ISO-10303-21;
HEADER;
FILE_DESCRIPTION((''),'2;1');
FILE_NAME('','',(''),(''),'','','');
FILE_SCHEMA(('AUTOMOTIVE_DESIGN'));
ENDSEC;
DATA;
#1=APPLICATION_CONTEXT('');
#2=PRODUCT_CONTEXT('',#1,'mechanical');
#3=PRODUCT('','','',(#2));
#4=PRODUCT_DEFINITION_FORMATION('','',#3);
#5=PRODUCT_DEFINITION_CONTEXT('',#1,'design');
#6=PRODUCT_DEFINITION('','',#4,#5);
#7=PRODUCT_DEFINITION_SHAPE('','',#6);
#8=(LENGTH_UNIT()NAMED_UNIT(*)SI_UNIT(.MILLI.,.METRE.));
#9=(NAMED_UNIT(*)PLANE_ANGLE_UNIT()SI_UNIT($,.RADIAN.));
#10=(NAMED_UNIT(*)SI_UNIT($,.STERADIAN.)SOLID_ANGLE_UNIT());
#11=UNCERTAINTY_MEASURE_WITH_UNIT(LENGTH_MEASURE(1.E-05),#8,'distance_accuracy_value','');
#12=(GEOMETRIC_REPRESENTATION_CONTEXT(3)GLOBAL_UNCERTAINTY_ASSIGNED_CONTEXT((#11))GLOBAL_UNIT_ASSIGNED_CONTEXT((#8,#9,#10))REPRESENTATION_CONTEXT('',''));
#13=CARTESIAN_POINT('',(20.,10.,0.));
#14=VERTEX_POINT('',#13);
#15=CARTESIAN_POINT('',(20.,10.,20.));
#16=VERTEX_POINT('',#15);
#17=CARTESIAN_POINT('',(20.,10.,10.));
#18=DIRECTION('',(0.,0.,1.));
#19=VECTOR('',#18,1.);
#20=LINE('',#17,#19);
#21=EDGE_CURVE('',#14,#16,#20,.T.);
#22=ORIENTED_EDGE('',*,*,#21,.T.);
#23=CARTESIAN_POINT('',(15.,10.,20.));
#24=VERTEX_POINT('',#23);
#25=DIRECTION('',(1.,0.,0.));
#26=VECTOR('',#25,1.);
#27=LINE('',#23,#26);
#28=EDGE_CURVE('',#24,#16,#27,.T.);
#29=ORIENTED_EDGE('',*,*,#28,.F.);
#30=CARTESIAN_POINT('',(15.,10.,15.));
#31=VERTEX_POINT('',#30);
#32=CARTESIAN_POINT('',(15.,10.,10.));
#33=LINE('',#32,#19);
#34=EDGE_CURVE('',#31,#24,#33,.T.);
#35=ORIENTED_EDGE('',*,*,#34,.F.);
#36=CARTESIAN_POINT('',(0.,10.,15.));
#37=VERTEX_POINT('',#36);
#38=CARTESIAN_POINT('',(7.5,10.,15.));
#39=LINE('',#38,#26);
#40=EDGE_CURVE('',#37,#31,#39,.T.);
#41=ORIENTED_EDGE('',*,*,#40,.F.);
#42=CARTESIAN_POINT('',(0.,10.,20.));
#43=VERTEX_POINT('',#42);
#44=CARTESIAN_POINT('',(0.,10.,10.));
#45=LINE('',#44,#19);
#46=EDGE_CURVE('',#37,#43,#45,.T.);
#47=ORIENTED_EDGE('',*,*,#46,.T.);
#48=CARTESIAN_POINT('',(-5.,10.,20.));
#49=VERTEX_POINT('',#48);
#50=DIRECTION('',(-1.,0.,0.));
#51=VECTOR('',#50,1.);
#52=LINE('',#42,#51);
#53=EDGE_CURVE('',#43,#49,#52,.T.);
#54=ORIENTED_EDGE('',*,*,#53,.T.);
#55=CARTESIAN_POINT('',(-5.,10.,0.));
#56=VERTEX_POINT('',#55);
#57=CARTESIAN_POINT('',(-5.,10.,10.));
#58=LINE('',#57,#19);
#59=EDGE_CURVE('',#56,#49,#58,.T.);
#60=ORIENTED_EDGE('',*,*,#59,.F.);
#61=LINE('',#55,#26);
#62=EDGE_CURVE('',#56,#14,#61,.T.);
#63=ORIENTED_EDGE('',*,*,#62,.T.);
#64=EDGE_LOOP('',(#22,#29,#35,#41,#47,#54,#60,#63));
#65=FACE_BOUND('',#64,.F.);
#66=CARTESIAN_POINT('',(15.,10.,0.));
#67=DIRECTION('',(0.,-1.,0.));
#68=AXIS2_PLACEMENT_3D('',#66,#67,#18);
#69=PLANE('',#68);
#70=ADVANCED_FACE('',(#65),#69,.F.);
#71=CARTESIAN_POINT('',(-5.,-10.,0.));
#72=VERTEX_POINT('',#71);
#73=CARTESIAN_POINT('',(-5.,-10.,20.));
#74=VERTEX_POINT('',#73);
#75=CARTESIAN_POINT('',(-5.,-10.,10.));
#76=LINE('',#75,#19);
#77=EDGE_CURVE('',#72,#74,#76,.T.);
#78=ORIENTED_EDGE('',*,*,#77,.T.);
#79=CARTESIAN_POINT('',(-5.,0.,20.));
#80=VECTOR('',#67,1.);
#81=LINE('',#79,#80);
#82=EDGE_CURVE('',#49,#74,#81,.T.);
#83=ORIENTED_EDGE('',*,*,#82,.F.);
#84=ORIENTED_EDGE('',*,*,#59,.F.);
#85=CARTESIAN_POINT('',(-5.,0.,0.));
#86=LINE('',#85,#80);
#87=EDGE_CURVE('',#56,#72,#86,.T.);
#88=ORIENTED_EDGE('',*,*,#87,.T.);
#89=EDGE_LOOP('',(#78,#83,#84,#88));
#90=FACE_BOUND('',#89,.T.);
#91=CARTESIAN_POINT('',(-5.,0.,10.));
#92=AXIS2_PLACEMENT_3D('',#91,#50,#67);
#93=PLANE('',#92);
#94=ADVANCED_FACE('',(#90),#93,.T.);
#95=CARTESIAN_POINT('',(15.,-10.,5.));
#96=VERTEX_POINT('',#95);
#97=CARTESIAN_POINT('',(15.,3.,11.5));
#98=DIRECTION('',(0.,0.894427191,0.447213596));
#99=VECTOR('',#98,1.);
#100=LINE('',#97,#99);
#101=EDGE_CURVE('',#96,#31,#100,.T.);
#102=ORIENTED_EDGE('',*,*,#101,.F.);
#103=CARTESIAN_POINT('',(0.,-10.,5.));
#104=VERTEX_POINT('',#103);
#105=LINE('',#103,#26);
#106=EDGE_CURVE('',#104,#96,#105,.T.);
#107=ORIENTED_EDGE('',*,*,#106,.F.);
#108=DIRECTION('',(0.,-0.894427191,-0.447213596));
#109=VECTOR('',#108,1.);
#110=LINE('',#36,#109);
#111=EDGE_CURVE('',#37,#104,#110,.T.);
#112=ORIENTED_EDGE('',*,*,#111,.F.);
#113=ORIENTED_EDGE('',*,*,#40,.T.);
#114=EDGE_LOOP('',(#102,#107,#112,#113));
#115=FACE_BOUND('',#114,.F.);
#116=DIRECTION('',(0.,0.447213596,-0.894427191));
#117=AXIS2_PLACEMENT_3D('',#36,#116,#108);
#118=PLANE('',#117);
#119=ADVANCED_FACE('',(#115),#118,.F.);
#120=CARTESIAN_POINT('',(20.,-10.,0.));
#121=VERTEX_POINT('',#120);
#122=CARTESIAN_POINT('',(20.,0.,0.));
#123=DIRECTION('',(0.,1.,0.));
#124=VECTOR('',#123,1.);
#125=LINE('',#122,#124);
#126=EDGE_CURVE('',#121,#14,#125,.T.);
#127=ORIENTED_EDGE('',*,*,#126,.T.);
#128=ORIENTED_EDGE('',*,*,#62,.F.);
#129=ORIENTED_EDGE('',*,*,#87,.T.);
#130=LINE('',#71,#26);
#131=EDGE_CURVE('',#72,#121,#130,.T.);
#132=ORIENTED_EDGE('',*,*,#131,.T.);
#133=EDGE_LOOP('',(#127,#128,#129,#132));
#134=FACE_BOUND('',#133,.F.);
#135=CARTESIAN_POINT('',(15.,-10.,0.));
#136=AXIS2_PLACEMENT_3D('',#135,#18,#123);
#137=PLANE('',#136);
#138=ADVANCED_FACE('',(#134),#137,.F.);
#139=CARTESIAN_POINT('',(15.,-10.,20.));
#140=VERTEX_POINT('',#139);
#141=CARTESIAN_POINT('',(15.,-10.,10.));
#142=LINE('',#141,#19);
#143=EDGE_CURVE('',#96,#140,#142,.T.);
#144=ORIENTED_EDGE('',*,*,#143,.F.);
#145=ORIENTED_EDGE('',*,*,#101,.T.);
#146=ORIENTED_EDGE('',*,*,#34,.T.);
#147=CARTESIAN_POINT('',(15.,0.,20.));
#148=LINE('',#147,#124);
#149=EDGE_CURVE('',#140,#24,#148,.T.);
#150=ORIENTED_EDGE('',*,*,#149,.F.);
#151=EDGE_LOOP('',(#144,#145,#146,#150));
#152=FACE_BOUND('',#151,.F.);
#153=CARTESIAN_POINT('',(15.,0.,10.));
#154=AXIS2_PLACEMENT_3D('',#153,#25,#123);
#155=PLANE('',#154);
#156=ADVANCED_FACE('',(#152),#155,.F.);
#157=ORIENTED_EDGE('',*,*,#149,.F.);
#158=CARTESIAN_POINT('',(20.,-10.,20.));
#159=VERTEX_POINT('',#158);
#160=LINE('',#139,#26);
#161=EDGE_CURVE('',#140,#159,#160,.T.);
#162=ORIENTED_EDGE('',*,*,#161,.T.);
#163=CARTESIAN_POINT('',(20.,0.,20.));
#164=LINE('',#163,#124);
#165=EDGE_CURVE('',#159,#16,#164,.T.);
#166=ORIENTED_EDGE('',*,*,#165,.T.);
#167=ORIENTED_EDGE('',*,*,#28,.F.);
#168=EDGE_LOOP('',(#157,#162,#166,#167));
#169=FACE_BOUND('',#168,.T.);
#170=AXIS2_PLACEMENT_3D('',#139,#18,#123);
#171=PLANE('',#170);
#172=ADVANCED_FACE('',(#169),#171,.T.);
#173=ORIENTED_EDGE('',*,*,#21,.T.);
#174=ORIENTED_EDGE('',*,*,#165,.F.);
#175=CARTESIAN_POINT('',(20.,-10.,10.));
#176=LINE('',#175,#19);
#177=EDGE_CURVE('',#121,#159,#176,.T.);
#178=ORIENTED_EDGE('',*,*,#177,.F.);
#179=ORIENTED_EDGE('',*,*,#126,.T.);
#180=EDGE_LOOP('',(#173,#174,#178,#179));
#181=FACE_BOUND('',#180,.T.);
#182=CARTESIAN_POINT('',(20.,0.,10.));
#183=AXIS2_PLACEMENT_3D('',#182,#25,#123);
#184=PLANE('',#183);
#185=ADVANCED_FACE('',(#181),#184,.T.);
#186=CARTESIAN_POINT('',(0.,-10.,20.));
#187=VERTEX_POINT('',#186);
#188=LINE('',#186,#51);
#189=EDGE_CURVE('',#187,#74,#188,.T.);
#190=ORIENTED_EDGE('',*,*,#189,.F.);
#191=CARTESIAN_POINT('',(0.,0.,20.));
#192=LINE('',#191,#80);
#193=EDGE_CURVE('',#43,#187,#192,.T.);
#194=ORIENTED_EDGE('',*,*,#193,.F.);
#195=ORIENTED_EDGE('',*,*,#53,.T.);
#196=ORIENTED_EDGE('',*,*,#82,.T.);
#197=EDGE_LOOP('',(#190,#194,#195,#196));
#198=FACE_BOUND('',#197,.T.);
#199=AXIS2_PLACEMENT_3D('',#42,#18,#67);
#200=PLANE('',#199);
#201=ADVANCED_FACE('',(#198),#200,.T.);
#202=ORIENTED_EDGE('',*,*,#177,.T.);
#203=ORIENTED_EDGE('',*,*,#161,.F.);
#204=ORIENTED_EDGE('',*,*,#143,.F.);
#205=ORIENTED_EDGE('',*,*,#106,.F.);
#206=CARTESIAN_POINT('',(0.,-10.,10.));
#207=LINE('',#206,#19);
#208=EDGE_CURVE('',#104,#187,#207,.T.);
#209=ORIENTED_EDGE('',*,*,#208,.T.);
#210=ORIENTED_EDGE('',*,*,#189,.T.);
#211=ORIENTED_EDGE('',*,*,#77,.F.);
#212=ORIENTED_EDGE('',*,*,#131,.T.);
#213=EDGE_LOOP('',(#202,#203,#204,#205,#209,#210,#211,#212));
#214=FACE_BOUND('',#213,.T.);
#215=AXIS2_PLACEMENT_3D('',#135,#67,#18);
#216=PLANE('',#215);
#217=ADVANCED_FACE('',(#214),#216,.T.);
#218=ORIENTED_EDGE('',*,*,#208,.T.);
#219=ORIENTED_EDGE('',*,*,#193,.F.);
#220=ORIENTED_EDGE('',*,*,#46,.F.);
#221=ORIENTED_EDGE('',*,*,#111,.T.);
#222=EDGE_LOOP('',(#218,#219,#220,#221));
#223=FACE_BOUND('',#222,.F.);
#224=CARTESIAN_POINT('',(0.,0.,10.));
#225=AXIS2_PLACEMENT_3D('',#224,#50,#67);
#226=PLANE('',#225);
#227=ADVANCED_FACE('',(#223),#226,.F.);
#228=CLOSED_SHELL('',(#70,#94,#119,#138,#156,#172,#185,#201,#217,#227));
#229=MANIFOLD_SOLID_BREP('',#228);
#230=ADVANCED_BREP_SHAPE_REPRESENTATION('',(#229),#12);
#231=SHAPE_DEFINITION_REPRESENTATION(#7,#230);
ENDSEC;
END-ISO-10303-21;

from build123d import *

# Parameters (mm, degrees)
F0_W     = 15
F0_H     = 15
F1_DEPTH = 10
F3_DEPTH = 15.001
F4_W     = 20
F4_H     = 20
F5_DEPTH = 5
F6_W     = 20
F6_H     = 20
F7_DEPTH = 5


with BuildPart() as f1:
    # F0 (on Front) → F1 (new body, symmetric)
    with BuildSketch(Plane.XZ):
        with Locations((7.5, 7.5)):
            Rectangle(F0_W, F0_H)
    extrude(amount=F1_DEPTH, both=True)

    # F2 (on face) → F3 (cut, through all)
    with BuildSketch(Plane(origin=(0, 0, 0), x_dir=(0, -1, 0), z_dir=(-1, 0, 0))):
        Polygon((10, 15), (-10, 15), (10, 5), align=None)
    extrude(amount=-F3_DEPTH, mode=Mode.SUBTRACT)

    # F4 (on face) → F5 (join)
    with BuildSketch(Plane(origin=(0, 0, 0), x_dir=(0, -1, 0), z_dir=(-1, 0, 0))):
        with Locations((0, 10)):
            Rectangle(F4_W, F4_H)
    extrude(amount=F5_DEPTH)

    # F6 (on face) → F7 (join)
    with BuildSketch(Plane.YZ.offset(15)):
        with Locations((0, 10)):
            Rectangle(F6_W, F6_H)
    extrude(amount=F7_DEPTH)


solid = f1.part
